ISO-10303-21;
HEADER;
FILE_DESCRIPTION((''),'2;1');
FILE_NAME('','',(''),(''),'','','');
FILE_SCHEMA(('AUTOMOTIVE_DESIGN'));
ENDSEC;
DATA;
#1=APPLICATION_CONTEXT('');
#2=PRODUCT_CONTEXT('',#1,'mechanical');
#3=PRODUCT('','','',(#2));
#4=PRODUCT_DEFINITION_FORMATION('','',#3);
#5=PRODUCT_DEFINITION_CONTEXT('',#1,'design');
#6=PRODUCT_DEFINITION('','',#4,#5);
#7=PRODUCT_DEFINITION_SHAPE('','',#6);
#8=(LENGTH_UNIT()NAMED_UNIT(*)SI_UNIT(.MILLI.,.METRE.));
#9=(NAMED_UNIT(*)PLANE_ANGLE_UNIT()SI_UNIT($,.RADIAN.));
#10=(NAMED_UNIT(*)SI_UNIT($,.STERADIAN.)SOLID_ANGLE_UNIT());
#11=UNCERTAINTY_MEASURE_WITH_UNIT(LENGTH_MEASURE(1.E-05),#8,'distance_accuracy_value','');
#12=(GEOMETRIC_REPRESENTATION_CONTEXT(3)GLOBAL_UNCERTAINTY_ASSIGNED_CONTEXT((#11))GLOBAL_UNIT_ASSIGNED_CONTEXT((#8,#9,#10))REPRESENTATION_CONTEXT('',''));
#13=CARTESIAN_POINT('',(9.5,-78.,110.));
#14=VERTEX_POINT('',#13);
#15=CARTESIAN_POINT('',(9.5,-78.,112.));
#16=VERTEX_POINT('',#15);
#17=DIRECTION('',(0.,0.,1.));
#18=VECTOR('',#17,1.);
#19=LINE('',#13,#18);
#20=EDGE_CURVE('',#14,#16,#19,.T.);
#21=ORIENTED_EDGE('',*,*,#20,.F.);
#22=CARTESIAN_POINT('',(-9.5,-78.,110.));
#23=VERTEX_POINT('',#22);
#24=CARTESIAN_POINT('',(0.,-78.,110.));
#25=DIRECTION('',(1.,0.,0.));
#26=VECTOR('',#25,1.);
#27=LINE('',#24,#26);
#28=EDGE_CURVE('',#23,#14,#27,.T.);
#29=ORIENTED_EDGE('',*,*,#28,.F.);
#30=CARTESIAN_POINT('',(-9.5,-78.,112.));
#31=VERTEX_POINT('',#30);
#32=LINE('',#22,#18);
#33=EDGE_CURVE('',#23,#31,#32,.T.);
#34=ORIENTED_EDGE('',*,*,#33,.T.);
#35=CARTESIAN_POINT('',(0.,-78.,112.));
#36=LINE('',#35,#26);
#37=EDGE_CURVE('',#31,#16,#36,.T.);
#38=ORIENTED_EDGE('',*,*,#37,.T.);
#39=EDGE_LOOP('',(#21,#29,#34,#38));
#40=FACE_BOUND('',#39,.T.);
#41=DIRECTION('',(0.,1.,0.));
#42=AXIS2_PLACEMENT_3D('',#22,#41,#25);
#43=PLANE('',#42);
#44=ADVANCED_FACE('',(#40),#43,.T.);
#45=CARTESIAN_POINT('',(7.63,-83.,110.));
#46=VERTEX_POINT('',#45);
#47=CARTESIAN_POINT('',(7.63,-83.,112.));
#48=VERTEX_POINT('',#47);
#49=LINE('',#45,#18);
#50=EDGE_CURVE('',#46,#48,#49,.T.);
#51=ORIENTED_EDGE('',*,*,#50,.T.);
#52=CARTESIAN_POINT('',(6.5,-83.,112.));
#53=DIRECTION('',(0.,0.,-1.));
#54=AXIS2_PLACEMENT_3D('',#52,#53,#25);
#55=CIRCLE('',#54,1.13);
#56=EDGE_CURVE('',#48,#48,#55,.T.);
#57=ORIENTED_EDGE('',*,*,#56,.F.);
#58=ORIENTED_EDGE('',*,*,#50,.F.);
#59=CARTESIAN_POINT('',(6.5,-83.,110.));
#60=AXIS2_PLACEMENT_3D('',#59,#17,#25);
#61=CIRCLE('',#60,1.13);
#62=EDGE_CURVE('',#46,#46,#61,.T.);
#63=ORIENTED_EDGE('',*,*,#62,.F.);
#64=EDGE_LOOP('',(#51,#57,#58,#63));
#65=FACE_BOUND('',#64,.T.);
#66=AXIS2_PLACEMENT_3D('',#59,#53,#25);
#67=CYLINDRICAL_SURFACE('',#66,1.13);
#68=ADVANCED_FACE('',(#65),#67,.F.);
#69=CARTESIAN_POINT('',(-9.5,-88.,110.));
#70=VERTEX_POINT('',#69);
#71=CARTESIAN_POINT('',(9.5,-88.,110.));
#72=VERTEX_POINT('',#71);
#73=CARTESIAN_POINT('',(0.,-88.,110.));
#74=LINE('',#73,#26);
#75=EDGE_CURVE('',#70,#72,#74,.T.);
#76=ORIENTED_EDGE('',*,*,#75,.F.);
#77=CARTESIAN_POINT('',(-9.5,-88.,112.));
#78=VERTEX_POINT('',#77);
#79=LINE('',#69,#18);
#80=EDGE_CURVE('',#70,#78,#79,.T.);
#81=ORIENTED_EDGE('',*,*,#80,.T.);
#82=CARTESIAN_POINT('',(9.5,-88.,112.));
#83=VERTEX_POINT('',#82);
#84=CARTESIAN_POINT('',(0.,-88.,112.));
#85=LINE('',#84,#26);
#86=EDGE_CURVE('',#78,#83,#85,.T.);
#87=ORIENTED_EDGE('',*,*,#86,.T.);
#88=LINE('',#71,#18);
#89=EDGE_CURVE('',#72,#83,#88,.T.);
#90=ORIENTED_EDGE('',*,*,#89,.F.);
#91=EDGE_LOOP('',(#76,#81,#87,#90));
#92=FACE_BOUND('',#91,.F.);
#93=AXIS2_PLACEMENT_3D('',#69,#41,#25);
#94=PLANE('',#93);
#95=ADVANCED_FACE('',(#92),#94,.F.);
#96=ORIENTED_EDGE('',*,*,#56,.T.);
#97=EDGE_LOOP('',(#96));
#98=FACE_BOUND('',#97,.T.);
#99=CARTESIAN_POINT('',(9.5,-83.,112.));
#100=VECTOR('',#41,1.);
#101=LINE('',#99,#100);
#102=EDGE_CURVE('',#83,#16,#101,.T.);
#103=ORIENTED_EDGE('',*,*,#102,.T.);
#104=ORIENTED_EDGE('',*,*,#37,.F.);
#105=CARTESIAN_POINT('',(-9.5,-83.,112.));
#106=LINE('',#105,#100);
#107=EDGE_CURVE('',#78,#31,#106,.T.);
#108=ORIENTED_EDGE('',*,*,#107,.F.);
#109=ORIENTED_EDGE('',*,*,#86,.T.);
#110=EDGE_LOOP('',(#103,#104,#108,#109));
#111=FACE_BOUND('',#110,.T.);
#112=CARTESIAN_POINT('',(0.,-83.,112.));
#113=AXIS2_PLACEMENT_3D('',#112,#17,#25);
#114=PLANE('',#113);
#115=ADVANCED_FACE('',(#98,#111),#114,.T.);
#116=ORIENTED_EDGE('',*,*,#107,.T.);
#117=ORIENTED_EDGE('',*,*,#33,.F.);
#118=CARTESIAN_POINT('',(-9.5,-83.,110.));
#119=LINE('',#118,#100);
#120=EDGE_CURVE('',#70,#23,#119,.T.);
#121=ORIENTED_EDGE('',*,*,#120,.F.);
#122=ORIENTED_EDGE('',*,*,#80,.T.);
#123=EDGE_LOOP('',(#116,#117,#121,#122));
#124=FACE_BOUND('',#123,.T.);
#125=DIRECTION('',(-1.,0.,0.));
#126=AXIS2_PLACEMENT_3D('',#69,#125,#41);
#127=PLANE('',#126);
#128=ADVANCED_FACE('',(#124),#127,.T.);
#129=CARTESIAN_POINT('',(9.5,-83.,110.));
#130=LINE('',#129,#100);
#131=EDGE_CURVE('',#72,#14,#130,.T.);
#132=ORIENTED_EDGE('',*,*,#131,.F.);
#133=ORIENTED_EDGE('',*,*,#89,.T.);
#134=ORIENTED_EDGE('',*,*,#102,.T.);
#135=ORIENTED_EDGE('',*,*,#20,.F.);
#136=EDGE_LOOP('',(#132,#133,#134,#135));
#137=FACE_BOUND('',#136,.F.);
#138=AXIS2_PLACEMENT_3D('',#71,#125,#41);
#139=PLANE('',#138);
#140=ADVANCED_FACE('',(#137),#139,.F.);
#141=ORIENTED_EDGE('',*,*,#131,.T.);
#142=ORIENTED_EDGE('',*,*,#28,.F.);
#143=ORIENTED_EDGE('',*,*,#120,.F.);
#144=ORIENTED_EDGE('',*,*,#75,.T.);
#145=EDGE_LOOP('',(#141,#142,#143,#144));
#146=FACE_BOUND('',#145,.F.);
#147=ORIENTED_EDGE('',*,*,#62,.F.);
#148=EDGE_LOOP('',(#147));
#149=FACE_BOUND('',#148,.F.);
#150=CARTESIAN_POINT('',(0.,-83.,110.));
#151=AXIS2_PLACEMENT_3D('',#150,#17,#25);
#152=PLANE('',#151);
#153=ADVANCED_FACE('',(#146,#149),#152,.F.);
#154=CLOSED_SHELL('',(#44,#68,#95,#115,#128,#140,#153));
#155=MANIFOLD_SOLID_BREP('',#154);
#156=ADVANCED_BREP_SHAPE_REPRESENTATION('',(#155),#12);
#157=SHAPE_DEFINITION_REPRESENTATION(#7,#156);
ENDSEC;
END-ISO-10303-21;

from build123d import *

# Parameters (mm, degrees)
CYLINDER098_R     = 1.13
CYLINDER098_DEPTH = 10
BOX_W             = 19
BOX_H             = 10
BOX_DEPTH         = 2


with BuildPart() as cylinder098:
    # Cylinder098 → Cylinder098 (new body)
    with BuildSketch(Plane(origin=(6.5, -83, 0), x_dir=(1, 0, 0), z_dir=(0, 0, 1))):
        Circle(CYLINDER098_R)
    extrude(amount=CYLINDER098_DEPTH)


with BuildPart() as guva001:
    # Box → Box (new body)
    with BuildSketch(Plane(origin=(-9.5, -88, 0), x_dir=(1, 0, 0), z_dir=(0, 0, 1))):
        with Locations((9.5, 5)):
            Rectangle(BOX_W, BOX_H)
    extrude(amount=BOX_DEPTH)

    # Cut018: cut Cylinder098
    add(cylinder098.part, mode=Mode.SUBTRACT)


with BuildPart() as guva001_1:
    # Cut018 placement: moved
    add(guva001.part.moved(Location((0, 0, 110))))


solid = guva001_1.part
